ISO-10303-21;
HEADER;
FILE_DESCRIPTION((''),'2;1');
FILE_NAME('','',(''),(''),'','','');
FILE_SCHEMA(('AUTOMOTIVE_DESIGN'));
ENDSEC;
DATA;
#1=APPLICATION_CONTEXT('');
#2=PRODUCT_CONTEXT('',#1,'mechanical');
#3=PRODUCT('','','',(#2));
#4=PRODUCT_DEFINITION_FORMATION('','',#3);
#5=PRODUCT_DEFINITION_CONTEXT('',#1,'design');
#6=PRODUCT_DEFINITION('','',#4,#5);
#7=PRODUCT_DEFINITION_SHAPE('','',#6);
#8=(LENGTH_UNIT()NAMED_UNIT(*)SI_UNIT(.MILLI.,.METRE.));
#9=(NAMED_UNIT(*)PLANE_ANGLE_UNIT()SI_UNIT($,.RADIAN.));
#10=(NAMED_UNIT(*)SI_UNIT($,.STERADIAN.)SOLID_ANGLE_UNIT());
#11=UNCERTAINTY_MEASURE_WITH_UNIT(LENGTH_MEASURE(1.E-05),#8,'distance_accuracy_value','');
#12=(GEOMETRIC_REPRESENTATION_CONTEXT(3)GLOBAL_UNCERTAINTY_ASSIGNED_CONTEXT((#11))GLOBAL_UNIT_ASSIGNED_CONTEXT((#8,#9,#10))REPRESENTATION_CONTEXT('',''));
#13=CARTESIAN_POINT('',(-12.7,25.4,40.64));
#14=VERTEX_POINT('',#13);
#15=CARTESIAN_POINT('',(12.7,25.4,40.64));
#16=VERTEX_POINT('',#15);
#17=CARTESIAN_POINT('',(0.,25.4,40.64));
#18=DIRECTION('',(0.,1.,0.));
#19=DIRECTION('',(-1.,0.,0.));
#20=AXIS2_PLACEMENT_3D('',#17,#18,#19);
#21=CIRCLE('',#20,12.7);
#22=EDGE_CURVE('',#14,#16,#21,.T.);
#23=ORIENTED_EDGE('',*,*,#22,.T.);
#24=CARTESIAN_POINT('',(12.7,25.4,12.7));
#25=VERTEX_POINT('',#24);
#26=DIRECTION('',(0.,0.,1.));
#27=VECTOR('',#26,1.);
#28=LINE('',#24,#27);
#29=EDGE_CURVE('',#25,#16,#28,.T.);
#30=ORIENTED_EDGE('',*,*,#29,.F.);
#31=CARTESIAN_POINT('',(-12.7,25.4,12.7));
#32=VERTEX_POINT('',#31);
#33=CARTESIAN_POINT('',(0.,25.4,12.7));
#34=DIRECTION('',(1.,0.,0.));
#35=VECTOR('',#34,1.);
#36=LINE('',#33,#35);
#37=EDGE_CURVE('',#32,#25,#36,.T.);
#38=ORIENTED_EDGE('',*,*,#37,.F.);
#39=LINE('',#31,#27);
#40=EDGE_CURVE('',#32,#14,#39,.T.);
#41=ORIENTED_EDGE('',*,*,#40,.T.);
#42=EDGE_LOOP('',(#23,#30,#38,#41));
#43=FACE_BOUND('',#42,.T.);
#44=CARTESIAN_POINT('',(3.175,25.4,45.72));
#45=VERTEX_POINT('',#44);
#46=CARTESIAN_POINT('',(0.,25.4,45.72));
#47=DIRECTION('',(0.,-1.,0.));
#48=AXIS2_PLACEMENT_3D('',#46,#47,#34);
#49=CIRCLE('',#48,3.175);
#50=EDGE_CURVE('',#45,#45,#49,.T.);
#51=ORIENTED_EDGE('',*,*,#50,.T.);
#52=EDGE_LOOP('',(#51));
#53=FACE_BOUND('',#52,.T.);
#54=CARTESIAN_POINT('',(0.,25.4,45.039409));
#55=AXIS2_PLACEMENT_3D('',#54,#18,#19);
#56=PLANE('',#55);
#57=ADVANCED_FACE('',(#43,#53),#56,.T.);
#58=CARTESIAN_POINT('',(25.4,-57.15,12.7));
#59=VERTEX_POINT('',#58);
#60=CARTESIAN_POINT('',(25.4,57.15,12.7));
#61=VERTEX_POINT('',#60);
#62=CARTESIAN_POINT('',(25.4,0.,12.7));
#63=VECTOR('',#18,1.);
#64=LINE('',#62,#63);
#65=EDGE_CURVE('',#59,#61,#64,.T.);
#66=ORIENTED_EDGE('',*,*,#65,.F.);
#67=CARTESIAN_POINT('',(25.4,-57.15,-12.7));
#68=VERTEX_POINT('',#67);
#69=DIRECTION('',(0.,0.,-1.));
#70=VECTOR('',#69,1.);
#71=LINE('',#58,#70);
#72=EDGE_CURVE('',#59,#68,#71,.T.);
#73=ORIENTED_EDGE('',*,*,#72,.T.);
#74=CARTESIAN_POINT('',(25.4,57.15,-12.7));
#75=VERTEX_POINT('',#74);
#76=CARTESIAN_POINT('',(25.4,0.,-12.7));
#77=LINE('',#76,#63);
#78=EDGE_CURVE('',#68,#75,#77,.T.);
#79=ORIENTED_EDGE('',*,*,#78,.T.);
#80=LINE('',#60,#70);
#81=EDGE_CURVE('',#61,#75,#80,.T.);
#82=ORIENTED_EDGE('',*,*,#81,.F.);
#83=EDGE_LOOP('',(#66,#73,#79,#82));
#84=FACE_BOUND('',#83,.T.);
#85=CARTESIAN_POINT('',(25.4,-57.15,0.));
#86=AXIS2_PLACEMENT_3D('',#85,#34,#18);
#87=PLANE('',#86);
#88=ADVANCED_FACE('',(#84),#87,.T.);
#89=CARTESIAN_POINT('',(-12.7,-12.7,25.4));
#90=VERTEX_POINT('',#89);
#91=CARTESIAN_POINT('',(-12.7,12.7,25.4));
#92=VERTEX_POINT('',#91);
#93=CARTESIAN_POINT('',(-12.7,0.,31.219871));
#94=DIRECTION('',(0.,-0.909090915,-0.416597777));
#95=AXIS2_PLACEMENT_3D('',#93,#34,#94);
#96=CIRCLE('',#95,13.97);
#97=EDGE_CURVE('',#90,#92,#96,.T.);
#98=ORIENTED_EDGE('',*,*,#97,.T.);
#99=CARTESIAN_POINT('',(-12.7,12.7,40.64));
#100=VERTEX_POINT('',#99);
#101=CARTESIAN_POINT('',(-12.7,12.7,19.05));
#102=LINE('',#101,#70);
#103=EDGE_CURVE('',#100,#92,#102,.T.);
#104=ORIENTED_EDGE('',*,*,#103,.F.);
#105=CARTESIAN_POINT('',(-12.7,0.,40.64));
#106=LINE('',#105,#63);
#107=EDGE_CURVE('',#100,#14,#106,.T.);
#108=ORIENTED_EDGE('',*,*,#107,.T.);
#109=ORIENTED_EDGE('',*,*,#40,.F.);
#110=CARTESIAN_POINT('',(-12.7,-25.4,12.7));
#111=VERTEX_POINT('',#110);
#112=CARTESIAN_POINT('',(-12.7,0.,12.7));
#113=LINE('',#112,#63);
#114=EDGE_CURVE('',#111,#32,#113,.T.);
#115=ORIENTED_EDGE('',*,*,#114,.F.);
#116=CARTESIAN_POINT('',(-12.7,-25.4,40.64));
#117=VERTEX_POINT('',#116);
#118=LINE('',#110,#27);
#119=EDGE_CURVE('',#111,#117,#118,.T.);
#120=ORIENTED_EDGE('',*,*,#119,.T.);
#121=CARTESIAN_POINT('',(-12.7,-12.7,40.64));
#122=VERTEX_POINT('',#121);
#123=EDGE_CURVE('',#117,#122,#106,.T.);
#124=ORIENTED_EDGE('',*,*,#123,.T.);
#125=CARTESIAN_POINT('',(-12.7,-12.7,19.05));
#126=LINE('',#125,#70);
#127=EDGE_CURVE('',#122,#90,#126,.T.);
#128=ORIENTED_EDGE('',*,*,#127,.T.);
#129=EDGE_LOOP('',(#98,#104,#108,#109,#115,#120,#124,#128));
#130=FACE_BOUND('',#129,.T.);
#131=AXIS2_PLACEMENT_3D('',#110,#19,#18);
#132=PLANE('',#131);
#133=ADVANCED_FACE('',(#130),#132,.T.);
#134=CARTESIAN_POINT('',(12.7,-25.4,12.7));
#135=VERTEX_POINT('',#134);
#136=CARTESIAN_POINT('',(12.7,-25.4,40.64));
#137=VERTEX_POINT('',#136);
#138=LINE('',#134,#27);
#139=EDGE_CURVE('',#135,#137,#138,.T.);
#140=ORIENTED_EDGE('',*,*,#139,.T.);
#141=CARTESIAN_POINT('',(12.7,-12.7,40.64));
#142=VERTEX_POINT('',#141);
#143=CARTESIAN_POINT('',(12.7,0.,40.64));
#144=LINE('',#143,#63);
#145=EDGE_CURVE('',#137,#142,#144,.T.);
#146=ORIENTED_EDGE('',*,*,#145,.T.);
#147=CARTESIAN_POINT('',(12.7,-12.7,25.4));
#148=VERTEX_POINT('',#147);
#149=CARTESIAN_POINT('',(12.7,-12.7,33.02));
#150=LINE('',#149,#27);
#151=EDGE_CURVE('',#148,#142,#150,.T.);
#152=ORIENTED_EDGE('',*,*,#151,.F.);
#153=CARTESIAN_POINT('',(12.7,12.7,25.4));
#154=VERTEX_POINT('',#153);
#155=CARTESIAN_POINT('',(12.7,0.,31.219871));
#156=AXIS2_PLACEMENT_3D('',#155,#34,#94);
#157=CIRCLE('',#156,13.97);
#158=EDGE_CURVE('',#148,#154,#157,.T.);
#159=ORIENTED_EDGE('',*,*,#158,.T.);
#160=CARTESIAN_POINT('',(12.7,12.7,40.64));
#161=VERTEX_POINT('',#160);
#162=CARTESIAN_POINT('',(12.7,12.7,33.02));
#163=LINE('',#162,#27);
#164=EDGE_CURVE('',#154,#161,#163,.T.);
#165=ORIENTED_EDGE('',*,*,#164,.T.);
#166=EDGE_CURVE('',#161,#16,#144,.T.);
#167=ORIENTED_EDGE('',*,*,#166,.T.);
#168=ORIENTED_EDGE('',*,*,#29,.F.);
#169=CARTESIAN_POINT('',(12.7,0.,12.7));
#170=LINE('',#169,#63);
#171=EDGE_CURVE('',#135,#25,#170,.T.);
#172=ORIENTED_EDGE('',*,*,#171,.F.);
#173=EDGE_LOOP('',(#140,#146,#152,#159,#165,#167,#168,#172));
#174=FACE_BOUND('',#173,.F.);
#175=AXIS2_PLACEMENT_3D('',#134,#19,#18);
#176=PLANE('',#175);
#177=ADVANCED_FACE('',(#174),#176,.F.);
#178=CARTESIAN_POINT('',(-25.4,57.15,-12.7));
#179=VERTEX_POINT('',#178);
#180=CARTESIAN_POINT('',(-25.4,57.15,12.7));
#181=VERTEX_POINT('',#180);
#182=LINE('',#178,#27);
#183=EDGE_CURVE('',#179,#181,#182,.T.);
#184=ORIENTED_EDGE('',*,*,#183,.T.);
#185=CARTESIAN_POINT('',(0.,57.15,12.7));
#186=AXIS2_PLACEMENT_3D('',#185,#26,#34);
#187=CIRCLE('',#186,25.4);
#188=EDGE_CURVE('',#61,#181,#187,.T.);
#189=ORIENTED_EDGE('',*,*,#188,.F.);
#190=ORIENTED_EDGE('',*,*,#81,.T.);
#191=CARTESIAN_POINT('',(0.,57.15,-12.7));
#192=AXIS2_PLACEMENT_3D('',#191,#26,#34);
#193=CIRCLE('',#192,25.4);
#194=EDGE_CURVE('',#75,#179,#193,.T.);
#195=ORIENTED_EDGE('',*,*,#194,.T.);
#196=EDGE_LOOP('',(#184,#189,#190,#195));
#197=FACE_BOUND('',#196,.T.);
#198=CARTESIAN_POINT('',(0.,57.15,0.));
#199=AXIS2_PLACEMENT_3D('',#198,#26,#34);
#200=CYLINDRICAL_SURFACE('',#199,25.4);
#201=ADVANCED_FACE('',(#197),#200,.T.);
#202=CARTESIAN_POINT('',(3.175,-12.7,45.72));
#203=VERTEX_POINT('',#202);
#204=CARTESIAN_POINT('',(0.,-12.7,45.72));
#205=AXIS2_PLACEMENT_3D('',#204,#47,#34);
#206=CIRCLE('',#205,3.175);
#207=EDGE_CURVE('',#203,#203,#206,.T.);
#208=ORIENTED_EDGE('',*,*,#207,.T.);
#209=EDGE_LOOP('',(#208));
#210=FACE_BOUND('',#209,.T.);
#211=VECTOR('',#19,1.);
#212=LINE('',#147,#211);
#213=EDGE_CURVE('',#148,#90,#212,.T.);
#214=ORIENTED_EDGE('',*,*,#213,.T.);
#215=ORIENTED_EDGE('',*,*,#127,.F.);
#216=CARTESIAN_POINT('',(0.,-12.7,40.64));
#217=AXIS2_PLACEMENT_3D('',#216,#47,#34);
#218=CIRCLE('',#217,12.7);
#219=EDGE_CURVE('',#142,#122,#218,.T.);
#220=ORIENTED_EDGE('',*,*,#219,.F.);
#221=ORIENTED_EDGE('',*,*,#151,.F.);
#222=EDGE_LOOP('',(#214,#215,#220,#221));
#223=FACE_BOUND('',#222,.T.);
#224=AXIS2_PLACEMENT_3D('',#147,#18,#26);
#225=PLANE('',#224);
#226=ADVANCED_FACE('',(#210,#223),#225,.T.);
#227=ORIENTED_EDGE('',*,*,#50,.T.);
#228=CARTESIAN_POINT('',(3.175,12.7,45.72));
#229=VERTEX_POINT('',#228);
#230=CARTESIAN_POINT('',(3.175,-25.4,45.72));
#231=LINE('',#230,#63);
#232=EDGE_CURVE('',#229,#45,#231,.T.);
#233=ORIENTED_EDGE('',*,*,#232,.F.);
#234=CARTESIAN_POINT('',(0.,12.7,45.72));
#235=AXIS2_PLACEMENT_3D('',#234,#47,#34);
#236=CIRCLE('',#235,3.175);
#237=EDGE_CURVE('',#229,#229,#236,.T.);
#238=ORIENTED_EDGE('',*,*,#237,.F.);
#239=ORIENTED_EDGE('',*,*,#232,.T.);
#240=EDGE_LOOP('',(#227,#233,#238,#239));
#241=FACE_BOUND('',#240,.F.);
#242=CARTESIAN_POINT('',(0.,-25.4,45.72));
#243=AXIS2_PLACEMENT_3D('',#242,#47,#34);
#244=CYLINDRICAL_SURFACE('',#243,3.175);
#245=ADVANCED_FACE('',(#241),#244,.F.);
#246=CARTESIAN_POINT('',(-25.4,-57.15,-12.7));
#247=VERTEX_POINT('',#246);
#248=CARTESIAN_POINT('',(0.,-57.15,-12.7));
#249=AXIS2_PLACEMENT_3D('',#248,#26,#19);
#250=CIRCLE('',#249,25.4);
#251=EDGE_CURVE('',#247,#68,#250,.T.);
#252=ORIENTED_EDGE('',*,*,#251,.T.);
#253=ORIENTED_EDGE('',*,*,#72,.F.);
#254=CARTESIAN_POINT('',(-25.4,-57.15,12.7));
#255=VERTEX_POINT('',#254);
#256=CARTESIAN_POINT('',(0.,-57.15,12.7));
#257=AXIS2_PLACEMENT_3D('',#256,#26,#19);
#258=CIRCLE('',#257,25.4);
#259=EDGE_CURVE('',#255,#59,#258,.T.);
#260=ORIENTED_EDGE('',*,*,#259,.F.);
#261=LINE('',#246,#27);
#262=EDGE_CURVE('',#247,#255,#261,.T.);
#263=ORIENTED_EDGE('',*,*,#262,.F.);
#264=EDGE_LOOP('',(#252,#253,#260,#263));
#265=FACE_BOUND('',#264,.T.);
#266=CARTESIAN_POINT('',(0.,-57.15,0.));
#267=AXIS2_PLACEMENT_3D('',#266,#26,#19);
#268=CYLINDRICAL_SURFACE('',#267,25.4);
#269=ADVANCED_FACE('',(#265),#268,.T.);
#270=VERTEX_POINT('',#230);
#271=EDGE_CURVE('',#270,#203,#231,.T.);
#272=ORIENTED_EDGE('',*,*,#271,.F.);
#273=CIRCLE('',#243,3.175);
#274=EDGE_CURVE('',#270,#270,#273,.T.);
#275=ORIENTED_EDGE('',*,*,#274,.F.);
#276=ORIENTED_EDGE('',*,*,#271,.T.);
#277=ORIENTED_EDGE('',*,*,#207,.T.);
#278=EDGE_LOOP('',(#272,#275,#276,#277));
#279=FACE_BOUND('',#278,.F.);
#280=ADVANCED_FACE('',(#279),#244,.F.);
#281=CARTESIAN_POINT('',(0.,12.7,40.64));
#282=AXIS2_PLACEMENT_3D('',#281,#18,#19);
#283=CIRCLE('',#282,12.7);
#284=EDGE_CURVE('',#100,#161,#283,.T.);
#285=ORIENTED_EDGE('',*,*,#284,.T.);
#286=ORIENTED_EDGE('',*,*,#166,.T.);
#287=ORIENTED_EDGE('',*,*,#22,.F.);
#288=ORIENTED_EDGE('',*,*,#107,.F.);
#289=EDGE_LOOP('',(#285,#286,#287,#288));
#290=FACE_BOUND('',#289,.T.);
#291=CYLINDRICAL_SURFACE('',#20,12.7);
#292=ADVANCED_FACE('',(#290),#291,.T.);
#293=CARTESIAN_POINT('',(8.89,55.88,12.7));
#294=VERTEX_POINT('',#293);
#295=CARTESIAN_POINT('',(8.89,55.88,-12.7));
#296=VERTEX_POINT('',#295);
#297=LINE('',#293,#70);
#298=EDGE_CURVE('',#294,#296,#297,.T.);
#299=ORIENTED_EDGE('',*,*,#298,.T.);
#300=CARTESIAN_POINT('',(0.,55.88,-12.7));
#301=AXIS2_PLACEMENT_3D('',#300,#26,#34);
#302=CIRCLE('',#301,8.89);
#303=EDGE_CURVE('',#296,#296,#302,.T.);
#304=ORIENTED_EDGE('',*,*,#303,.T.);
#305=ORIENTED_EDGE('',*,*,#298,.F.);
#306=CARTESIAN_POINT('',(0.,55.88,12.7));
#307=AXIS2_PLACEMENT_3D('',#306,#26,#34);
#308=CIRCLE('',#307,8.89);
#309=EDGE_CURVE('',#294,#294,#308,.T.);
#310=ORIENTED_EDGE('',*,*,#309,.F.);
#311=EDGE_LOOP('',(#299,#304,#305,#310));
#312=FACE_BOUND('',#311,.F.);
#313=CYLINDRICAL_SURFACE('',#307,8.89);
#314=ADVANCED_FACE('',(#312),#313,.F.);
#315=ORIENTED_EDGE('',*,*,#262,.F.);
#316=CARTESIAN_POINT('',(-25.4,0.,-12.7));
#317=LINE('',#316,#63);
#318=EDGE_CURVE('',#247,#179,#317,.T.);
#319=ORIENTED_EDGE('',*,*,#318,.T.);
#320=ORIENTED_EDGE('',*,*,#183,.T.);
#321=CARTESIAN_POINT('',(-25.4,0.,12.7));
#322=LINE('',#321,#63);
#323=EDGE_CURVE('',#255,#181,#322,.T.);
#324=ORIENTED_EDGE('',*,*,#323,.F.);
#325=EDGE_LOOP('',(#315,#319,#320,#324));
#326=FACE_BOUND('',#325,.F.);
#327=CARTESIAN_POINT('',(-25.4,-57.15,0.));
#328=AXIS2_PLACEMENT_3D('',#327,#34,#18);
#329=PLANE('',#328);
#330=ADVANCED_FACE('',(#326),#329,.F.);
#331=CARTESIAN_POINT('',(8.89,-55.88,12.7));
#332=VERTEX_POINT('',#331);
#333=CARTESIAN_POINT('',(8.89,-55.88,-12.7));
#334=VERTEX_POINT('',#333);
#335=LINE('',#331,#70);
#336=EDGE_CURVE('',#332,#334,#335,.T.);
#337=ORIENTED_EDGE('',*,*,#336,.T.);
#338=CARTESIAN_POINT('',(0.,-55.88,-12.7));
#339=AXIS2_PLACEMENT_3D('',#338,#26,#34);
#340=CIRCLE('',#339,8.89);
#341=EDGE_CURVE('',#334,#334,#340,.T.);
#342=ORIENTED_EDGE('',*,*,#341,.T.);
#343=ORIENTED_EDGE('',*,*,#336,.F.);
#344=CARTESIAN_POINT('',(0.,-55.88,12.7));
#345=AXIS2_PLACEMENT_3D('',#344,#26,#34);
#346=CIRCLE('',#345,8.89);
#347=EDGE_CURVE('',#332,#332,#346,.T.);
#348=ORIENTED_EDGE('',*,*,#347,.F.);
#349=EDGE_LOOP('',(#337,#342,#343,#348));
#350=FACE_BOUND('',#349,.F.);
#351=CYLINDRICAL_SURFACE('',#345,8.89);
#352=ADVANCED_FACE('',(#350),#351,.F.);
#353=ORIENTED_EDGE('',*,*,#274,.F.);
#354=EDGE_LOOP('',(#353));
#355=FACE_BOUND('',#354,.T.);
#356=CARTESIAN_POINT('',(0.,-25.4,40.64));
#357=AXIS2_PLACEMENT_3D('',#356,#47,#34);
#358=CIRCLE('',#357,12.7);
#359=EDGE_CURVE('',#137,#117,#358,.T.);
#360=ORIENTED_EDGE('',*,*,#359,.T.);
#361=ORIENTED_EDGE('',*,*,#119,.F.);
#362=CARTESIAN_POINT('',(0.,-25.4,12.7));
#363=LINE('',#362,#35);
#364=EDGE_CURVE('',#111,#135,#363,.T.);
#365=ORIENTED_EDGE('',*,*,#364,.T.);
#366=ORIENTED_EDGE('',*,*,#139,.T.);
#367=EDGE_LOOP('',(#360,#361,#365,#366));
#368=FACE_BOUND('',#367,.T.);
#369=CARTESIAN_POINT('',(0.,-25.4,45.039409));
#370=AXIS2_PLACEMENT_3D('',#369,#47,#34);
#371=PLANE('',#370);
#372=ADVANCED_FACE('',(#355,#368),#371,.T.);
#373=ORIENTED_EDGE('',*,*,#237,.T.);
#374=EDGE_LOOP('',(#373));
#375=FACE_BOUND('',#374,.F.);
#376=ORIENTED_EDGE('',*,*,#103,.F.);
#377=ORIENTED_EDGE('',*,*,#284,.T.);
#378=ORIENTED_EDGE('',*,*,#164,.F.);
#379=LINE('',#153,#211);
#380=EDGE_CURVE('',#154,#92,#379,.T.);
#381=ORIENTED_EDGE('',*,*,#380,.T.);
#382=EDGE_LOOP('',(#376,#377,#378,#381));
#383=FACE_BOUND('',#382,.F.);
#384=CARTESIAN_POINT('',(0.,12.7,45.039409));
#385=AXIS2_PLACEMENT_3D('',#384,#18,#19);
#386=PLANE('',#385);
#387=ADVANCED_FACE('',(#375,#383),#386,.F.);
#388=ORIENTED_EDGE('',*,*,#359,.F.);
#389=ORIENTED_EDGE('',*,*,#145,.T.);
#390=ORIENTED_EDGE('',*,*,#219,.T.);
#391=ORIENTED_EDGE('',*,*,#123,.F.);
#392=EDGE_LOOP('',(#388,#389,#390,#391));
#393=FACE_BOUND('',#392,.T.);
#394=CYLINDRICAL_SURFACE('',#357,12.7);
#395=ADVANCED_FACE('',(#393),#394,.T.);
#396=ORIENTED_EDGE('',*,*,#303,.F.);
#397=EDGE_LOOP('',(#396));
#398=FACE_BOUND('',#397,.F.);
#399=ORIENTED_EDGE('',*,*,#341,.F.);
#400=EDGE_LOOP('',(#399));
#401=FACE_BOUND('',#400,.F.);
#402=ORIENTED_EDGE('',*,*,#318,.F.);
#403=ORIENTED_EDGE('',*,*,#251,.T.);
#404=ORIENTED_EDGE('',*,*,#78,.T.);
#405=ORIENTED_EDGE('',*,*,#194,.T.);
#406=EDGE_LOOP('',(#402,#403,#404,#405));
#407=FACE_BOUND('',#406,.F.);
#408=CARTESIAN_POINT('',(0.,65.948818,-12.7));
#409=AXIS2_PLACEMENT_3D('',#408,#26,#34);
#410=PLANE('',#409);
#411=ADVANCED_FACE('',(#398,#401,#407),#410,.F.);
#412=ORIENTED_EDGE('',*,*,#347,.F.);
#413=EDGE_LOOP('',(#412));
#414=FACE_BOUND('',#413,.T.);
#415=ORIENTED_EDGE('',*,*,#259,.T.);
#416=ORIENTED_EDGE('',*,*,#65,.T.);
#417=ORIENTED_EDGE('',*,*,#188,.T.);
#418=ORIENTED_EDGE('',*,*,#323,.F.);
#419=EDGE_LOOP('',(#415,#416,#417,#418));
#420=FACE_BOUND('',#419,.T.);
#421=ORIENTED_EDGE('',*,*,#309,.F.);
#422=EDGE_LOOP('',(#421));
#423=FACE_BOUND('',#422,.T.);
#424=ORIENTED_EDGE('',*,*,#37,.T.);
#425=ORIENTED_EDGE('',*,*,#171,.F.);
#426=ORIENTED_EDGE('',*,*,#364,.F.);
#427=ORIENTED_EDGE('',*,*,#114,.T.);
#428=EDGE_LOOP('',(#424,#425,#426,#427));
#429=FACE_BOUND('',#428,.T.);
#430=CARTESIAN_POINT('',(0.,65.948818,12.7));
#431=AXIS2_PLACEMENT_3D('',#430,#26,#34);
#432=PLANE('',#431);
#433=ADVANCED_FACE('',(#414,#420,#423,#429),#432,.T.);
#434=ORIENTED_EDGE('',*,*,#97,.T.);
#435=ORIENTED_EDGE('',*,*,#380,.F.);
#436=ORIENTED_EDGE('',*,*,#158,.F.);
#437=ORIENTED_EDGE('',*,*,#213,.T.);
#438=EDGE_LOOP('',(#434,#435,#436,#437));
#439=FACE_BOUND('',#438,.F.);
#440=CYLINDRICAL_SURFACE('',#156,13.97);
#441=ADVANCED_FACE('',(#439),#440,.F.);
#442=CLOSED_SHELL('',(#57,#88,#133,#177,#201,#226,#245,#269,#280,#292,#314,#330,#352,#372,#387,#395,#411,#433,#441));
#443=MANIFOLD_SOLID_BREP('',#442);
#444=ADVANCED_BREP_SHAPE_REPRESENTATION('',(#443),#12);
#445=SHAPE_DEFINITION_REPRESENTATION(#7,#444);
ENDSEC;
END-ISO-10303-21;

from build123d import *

# Parameters (mm, degrees)
F0_W      = 50.8
F0_H      = 114.3
F1_DEPTH  = 12.7
F2_R      = 8.89
F3_DEPTH  = 63.5
F4_W      = 25.4
F4_H      = 50.8
F5_DEPTH  = 27.94
F8_DEPTH  = 12.7
F9_DEPTH  = 12.7
F10_R     = 3.175
F11_DEPTH = 76.2
F12_W     = 25.4
F12_H     = 15.24
F13_DEPTH = 76.2


with BuildPart() as f1:
    # F0 (on Top) → F1 (new body, symmetric)
    with BuildSketch(Plane.XY):
        with BuildLine():
            Line((-25.4, 57.15), (25.4, 57.15))
            ThreePointArc((25.4, 57.15), (0, 82.55), (-25.4, 57.15))
        make_face()
        Rectangle(F0_W, F0_H)
        with BuildLine():
            ThreePointArc((-25.4, -57.15), (0, -82.55), (25.4, -57.15))
            Line((25.4, -57.15), (-25.4, -57.15))
        make_face()
    extrude(amount=F1_DEPTH, both=True)

    # F2 (on face) → F3 (cut)
    with BuildSketch(Plane.XY.offset(12.7)):
        with Locations((0, 55.88)):
            Circle(F2_R)
        with Locations((0, -55.88)):
            Circle(F2_R)
    extrude(amount=-F3_DEPTH, mode=Mode.SUBTRACT)

    # F4 (on face) → F5 (join)
    with BuildSketch(Plane.XY.offset(12.7)):
        Rectangle(F4_W, F4_H)
    extrude(amount=F5_DEPTH)

    # F7 (on face) → F8 (join)
    with BuildSketch(Plane.XZ.offset(25.4)):
        with BuildLine():
            Line((-12.7, 40.64), (12.7, 40.64))
            ThreePointArc((12.7, 40.64), (0, 53.34), (-12.7, 40.64))
        make_face()
    extrude(amount=-F8_DEPTH)

    # F6 (on face) → F9 (join)
    with BuildSketch(Plane(origin=(0, 25.4, 0), x_dir=(-1, 0, 0), z_dir=(0, 1, 0))):
        with BuildLine():
            Line((-12.7, 40.64), (12.7, 40.64))
            ThreePointArc((12.7, 40.64), (0, 53.34), (-12.7, 40.64))
        make_face()
    extrude(amount=-F9_DEPTH)

    # F10 (on face) → F11 (cut)
    with BuildSketch(Plane.XZ.offset(25.4)):
        with Locations((0, 45.72)):
            Circle(F10_R)
    extrude(amount=-F11_DEPTH, mode=Mode.SUBTRACT)

    # F12 (on face) → F13 (cut)
    with BuildSketch(Plane.YZ.offset(12.7)):
        with Locations((0, 33.02)):
            Rectangle(F12_W, F12_H)
        with BuildLine():
            ThreePointArc((-12.7, 25.4), (0, 17.249871), (12.7, 25.4))
            Line((12.7, 25.4), (-12.7, 25.4))
        make_face()
    extrude(amount=-F13_DEPTH, mode=Mode.SUBTRACT)


solid = f1.part
